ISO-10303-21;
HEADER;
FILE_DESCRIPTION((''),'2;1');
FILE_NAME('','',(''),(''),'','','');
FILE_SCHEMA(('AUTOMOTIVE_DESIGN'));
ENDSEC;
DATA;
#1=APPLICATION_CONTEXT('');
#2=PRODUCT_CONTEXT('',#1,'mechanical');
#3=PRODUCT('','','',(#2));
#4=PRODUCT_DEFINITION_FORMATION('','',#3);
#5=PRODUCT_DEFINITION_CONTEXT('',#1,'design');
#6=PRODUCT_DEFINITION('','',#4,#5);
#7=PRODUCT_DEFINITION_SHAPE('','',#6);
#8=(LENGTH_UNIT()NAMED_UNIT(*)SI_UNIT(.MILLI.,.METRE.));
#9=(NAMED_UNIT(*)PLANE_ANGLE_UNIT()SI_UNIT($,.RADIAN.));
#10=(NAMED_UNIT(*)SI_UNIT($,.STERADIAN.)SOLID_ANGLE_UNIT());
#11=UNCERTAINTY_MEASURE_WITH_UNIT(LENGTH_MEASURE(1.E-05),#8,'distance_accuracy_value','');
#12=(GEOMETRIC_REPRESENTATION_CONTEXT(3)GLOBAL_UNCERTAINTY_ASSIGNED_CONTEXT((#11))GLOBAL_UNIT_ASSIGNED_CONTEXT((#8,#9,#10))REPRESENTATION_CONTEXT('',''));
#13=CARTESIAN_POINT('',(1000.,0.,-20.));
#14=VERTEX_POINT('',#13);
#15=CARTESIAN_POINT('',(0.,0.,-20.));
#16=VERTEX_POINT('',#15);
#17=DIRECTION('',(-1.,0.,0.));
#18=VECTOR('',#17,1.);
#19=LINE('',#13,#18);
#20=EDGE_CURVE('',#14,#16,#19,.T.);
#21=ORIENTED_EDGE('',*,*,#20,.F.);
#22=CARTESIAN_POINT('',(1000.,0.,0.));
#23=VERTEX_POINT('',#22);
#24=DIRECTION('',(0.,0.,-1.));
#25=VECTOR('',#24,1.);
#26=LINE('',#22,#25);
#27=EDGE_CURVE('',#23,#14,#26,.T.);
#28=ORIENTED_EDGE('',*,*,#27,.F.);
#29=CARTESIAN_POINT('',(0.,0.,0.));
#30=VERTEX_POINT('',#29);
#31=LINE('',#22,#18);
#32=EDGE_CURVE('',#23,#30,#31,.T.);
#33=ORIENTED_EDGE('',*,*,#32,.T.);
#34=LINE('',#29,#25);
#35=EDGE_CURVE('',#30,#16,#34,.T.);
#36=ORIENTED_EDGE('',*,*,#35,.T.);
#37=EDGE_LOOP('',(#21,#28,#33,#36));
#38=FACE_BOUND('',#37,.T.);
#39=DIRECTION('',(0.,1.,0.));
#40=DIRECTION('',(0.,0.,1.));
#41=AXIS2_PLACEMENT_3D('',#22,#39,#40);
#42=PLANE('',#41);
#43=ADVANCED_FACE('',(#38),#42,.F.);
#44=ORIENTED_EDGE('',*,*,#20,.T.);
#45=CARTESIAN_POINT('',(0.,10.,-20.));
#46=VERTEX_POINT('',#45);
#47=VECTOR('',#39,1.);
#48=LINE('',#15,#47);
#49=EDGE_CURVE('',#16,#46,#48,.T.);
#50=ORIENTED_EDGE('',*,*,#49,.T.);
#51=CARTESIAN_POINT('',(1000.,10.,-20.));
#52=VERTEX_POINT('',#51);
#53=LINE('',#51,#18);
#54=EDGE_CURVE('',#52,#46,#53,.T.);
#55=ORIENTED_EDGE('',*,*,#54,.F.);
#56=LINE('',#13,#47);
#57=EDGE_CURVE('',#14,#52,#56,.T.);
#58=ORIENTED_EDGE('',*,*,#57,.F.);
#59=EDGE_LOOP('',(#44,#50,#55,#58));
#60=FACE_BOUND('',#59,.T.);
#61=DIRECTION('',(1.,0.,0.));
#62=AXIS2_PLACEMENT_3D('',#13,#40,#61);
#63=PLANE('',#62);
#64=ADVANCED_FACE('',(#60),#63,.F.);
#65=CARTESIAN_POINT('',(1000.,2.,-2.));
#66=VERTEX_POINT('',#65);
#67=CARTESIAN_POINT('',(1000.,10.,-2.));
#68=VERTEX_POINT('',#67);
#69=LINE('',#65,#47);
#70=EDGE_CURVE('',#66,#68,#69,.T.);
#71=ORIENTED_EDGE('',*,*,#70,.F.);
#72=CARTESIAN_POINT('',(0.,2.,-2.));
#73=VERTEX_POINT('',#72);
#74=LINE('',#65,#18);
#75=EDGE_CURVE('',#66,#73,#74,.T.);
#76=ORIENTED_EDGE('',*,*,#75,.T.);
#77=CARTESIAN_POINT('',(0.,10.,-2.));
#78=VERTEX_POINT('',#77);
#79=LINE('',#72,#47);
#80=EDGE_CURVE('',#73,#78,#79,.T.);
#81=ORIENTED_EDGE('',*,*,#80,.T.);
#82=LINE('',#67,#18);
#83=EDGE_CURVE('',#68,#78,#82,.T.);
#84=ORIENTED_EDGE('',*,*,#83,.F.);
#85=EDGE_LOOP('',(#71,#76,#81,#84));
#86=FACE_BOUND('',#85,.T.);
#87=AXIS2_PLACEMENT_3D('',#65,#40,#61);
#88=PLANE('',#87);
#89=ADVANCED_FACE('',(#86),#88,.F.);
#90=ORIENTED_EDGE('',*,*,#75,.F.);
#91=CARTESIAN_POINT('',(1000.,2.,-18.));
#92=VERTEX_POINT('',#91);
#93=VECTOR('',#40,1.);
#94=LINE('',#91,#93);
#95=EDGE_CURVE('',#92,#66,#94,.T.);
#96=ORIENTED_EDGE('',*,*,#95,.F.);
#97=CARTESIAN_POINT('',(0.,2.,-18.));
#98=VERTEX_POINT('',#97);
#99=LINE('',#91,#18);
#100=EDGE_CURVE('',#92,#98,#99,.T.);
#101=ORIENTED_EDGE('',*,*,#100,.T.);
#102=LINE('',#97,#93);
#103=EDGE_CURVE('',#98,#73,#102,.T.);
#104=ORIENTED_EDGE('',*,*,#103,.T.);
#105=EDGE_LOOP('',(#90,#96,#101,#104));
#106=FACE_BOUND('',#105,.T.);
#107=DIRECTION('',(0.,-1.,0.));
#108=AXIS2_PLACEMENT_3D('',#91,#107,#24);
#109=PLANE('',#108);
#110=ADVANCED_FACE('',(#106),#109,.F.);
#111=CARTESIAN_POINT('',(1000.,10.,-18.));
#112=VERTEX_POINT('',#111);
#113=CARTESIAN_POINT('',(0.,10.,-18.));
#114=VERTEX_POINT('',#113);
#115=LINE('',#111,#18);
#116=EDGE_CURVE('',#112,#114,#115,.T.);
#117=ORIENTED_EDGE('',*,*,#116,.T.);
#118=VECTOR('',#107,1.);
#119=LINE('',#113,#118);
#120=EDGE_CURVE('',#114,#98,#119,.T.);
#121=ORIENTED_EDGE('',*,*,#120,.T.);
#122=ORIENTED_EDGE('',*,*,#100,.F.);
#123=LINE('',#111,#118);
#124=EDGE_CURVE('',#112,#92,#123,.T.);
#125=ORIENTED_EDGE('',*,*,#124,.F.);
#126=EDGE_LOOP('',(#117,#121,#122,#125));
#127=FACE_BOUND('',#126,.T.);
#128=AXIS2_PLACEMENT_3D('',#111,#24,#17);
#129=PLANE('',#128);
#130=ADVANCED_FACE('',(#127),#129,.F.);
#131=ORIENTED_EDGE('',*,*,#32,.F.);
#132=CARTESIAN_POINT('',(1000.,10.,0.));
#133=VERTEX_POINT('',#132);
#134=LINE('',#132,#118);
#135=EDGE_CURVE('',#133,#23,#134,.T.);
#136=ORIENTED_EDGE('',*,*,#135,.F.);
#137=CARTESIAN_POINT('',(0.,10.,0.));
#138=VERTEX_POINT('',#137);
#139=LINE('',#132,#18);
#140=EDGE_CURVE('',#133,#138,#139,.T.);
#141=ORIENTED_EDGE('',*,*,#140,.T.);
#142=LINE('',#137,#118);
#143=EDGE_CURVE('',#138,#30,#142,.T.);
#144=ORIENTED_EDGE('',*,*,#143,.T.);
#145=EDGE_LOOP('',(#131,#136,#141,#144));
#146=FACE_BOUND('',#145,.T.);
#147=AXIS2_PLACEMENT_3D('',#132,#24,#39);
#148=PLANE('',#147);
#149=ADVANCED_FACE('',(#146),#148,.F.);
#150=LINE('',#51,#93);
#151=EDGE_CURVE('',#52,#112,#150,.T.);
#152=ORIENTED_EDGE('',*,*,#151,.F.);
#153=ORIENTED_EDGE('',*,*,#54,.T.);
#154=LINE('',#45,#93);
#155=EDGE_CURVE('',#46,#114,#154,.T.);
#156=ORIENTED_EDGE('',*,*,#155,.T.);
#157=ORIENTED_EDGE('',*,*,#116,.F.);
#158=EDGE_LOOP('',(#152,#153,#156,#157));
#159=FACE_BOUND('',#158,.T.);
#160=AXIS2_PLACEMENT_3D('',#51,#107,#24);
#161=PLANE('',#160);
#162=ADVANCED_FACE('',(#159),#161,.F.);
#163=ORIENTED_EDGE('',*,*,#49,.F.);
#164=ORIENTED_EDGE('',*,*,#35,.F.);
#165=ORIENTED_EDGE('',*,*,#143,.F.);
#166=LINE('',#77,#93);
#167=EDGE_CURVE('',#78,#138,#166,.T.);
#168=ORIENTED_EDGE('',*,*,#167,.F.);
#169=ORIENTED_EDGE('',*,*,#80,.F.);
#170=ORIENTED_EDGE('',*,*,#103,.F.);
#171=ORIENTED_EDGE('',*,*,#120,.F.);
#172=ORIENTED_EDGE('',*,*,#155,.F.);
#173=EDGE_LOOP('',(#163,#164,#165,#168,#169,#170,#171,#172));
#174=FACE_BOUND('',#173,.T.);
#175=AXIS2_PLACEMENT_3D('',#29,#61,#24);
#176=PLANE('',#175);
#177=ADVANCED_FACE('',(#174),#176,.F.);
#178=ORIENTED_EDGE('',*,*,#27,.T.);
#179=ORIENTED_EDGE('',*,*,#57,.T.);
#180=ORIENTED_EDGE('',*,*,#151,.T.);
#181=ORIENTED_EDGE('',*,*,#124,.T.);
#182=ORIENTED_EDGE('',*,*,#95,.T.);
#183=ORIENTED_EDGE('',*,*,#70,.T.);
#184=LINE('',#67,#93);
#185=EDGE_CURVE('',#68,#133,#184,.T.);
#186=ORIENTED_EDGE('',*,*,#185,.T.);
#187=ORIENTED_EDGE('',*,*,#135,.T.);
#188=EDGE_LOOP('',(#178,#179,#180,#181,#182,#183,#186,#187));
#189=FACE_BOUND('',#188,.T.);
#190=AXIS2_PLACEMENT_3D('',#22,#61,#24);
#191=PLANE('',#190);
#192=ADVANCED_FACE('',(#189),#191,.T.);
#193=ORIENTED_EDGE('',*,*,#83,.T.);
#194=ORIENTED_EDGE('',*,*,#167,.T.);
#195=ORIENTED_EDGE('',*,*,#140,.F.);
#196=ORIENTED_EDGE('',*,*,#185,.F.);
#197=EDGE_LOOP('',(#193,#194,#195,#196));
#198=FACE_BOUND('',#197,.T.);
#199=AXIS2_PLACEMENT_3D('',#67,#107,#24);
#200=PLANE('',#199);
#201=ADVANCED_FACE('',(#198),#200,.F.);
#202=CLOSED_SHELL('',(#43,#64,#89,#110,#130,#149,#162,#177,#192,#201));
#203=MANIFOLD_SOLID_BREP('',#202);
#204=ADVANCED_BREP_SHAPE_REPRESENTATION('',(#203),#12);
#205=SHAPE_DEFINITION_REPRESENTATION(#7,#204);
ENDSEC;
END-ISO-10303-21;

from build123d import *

# Parameters (mm, degrees)
BOSS_EXTRUDE1_DEPTH = 1000


with BuildPart() as part:
    # Sketch2 → Boss-Extrude1 (new body)
    with BuildSketch(Plane(origin=(0, 0, 0), x_dir=(0, 0, -1), z_dir=(1, 0, 0))):
        Polygon((0, 10), (0, 0), (20, 0), (20, 10), (18, 10), (18, 2), (2, 2), (2, 10), align=None)
    extrude(amount=BOSS_EXTRUDE1_DEPTH)


solid = part.part
